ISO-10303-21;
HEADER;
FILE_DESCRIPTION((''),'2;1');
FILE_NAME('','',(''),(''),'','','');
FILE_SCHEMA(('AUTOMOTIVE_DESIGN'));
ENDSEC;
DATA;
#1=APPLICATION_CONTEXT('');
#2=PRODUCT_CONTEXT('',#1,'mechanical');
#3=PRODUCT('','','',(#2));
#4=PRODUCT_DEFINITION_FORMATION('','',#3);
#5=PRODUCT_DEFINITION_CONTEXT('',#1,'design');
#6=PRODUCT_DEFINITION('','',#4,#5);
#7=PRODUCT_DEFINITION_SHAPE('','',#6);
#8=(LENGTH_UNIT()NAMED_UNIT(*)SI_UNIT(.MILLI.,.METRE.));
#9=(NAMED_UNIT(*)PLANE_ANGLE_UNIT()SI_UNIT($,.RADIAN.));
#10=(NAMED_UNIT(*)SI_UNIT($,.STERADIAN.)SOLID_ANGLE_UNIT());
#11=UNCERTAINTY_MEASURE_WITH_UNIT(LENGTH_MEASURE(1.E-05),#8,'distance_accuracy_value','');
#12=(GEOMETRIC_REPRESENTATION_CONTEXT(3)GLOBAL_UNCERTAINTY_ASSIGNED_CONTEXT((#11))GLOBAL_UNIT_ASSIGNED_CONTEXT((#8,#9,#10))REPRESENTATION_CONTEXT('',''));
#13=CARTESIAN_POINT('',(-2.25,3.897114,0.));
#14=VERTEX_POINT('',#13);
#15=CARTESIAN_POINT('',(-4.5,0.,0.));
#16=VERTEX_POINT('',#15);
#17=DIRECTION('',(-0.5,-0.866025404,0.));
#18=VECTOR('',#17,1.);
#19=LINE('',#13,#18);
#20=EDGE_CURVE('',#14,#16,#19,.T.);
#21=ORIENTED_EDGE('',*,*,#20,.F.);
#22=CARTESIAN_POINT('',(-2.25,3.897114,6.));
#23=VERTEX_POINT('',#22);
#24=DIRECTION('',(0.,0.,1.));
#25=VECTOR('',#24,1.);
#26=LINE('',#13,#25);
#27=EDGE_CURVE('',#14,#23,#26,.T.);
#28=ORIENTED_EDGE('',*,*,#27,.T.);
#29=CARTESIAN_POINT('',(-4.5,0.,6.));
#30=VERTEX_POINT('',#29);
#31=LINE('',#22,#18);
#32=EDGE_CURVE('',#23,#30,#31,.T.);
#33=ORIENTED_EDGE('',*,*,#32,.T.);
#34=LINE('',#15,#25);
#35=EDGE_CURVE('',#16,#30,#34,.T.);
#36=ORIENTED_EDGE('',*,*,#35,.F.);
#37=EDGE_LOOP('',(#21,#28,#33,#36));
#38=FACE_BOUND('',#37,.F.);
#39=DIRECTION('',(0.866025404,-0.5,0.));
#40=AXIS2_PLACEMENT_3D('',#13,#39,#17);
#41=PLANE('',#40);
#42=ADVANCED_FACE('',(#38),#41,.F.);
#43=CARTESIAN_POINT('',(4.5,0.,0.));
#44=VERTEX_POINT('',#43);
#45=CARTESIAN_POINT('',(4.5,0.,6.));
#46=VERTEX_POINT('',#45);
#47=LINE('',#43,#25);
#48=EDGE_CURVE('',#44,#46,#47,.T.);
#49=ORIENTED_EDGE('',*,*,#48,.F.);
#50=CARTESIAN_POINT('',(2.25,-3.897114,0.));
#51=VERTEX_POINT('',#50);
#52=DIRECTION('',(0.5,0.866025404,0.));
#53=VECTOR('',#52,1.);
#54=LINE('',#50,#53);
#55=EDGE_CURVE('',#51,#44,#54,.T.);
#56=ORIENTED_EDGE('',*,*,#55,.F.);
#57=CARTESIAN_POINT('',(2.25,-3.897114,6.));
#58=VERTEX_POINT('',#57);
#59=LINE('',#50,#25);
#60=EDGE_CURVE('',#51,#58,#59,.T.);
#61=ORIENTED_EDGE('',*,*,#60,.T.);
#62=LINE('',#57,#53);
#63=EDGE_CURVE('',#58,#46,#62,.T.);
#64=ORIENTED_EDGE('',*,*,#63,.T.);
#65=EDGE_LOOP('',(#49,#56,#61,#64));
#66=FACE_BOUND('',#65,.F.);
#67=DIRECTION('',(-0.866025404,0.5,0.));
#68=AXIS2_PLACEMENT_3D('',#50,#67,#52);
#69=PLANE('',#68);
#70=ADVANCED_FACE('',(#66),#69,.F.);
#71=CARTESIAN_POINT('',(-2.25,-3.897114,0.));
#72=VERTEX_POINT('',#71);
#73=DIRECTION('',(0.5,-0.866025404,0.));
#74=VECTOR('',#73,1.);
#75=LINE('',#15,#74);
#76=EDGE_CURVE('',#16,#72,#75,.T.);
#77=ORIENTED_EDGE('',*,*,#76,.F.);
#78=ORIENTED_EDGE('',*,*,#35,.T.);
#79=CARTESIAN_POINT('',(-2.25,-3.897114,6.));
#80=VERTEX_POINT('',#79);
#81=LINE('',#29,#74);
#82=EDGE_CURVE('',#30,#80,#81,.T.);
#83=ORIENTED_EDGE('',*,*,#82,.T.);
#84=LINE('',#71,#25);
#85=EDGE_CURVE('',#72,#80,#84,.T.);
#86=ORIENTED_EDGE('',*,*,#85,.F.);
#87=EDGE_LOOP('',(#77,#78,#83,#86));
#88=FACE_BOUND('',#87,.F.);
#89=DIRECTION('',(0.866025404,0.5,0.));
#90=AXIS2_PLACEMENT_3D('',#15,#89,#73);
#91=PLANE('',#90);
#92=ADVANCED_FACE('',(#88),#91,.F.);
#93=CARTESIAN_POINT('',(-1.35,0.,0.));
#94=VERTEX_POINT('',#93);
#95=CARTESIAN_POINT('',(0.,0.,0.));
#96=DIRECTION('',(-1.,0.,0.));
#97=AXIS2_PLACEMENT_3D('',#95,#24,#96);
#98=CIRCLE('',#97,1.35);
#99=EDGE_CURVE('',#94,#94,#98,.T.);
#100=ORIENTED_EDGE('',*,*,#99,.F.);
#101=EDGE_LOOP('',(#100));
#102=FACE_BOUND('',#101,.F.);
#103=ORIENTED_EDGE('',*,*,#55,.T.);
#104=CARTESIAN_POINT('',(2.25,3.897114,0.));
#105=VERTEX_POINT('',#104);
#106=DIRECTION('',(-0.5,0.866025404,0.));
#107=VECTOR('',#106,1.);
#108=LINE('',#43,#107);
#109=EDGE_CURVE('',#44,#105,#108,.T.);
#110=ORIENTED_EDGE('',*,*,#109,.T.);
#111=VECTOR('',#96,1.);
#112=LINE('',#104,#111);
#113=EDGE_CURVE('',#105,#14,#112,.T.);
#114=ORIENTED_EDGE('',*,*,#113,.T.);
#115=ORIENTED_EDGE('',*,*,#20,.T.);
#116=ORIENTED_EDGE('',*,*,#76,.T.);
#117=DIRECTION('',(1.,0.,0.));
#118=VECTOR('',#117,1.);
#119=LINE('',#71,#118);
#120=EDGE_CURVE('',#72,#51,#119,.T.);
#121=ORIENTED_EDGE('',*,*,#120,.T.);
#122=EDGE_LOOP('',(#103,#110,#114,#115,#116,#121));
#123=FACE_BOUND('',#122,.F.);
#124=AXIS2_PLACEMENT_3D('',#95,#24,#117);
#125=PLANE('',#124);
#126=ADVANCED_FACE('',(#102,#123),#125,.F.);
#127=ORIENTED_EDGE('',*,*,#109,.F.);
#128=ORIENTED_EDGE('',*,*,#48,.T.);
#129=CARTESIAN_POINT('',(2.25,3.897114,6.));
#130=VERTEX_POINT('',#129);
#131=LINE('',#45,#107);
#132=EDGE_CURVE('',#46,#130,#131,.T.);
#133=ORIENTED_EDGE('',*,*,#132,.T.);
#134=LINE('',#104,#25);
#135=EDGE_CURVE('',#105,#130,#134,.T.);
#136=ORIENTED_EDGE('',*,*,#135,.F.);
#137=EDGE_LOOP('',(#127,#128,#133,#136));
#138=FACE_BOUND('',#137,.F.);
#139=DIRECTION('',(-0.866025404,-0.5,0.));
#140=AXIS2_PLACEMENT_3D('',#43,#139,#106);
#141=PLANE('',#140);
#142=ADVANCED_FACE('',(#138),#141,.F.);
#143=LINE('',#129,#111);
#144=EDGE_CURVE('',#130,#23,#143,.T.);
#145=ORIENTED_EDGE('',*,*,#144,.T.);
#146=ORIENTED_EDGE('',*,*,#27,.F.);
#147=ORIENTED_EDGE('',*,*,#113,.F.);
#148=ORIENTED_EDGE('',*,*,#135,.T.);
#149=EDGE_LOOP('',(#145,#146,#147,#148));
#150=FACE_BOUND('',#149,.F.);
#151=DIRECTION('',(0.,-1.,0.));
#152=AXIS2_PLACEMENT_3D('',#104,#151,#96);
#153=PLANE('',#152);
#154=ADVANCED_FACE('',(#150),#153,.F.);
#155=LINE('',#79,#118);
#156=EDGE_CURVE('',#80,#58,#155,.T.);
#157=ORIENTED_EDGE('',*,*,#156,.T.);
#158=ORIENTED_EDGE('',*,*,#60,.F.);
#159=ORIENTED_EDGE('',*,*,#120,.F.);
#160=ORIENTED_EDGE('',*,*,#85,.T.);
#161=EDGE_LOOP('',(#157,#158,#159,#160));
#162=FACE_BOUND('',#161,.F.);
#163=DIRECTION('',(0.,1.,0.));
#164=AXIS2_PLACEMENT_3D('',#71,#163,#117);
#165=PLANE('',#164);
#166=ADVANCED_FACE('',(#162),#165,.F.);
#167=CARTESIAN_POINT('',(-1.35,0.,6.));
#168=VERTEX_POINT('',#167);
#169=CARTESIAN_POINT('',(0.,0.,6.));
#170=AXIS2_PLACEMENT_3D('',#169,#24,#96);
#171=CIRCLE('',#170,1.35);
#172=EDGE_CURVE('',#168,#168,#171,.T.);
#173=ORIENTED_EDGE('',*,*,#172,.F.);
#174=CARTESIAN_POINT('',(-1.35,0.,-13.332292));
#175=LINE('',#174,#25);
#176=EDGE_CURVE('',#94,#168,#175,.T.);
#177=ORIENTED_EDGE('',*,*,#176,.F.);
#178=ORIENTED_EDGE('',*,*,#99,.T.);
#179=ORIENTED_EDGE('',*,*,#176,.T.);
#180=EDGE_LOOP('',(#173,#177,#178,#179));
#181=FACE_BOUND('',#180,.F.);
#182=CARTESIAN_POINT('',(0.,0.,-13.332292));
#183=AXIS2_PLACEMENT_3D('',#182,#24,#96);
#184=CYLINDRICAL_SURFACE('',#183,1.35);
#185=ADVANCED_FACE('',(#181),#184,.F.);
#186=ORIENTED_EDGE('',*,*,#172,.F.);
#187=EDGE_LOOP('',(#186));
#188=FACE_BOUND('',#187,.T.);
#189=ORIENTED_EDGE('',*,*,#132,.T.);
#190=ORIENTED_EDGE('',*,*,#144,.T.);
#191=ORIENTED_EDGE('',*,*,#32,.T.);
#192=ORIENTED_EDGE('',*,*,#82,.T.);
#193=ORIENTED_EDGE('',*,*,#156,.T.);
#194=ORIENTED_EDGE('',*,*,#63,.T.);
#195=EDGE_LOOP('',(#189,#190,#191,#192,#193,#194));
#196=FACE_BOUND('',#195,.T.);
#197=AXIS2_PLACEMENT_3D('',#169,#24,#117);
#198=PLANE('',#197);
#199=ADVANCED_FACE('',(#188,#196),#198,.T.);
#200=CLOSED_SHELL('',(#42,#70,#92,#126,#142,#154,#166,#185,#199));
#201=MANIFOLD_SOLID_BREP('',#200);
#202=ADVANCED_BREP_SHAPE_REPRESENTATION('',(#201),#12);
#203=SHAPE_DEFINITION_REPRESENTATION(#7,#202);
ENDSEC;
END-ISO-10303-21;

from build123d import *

# Parameters (mm, degrees)
F0_R     = 1.5
F1_DEPTH = 6
F2_D     = 2.7


with BuildPart() as f1:
    # F0 (on Top) → F1 (new body)
    with BuildSketch(Plane.XY):
        Polygon((2.25, -3.897114317), (4.5, 0), (2.25, 3.897114317), (-2.25, 3.897114317), (-4.5, 0), (-2.25, -3.897114317), align=None)
        Circle(F0_R, mode=Mode.SUBTRACT)
        Circle(F0_R)
    extrude(amount=F1_DEPTH)

    # F2 (through all)
    with Locations(Plane(origin=(0, 0, 0), x_dir=(1, 0, 0), z_dir=(0, 0, -1))):
        with Locations((0, 0)):
            Hole(F2_D / 2)


solid = f1.part
